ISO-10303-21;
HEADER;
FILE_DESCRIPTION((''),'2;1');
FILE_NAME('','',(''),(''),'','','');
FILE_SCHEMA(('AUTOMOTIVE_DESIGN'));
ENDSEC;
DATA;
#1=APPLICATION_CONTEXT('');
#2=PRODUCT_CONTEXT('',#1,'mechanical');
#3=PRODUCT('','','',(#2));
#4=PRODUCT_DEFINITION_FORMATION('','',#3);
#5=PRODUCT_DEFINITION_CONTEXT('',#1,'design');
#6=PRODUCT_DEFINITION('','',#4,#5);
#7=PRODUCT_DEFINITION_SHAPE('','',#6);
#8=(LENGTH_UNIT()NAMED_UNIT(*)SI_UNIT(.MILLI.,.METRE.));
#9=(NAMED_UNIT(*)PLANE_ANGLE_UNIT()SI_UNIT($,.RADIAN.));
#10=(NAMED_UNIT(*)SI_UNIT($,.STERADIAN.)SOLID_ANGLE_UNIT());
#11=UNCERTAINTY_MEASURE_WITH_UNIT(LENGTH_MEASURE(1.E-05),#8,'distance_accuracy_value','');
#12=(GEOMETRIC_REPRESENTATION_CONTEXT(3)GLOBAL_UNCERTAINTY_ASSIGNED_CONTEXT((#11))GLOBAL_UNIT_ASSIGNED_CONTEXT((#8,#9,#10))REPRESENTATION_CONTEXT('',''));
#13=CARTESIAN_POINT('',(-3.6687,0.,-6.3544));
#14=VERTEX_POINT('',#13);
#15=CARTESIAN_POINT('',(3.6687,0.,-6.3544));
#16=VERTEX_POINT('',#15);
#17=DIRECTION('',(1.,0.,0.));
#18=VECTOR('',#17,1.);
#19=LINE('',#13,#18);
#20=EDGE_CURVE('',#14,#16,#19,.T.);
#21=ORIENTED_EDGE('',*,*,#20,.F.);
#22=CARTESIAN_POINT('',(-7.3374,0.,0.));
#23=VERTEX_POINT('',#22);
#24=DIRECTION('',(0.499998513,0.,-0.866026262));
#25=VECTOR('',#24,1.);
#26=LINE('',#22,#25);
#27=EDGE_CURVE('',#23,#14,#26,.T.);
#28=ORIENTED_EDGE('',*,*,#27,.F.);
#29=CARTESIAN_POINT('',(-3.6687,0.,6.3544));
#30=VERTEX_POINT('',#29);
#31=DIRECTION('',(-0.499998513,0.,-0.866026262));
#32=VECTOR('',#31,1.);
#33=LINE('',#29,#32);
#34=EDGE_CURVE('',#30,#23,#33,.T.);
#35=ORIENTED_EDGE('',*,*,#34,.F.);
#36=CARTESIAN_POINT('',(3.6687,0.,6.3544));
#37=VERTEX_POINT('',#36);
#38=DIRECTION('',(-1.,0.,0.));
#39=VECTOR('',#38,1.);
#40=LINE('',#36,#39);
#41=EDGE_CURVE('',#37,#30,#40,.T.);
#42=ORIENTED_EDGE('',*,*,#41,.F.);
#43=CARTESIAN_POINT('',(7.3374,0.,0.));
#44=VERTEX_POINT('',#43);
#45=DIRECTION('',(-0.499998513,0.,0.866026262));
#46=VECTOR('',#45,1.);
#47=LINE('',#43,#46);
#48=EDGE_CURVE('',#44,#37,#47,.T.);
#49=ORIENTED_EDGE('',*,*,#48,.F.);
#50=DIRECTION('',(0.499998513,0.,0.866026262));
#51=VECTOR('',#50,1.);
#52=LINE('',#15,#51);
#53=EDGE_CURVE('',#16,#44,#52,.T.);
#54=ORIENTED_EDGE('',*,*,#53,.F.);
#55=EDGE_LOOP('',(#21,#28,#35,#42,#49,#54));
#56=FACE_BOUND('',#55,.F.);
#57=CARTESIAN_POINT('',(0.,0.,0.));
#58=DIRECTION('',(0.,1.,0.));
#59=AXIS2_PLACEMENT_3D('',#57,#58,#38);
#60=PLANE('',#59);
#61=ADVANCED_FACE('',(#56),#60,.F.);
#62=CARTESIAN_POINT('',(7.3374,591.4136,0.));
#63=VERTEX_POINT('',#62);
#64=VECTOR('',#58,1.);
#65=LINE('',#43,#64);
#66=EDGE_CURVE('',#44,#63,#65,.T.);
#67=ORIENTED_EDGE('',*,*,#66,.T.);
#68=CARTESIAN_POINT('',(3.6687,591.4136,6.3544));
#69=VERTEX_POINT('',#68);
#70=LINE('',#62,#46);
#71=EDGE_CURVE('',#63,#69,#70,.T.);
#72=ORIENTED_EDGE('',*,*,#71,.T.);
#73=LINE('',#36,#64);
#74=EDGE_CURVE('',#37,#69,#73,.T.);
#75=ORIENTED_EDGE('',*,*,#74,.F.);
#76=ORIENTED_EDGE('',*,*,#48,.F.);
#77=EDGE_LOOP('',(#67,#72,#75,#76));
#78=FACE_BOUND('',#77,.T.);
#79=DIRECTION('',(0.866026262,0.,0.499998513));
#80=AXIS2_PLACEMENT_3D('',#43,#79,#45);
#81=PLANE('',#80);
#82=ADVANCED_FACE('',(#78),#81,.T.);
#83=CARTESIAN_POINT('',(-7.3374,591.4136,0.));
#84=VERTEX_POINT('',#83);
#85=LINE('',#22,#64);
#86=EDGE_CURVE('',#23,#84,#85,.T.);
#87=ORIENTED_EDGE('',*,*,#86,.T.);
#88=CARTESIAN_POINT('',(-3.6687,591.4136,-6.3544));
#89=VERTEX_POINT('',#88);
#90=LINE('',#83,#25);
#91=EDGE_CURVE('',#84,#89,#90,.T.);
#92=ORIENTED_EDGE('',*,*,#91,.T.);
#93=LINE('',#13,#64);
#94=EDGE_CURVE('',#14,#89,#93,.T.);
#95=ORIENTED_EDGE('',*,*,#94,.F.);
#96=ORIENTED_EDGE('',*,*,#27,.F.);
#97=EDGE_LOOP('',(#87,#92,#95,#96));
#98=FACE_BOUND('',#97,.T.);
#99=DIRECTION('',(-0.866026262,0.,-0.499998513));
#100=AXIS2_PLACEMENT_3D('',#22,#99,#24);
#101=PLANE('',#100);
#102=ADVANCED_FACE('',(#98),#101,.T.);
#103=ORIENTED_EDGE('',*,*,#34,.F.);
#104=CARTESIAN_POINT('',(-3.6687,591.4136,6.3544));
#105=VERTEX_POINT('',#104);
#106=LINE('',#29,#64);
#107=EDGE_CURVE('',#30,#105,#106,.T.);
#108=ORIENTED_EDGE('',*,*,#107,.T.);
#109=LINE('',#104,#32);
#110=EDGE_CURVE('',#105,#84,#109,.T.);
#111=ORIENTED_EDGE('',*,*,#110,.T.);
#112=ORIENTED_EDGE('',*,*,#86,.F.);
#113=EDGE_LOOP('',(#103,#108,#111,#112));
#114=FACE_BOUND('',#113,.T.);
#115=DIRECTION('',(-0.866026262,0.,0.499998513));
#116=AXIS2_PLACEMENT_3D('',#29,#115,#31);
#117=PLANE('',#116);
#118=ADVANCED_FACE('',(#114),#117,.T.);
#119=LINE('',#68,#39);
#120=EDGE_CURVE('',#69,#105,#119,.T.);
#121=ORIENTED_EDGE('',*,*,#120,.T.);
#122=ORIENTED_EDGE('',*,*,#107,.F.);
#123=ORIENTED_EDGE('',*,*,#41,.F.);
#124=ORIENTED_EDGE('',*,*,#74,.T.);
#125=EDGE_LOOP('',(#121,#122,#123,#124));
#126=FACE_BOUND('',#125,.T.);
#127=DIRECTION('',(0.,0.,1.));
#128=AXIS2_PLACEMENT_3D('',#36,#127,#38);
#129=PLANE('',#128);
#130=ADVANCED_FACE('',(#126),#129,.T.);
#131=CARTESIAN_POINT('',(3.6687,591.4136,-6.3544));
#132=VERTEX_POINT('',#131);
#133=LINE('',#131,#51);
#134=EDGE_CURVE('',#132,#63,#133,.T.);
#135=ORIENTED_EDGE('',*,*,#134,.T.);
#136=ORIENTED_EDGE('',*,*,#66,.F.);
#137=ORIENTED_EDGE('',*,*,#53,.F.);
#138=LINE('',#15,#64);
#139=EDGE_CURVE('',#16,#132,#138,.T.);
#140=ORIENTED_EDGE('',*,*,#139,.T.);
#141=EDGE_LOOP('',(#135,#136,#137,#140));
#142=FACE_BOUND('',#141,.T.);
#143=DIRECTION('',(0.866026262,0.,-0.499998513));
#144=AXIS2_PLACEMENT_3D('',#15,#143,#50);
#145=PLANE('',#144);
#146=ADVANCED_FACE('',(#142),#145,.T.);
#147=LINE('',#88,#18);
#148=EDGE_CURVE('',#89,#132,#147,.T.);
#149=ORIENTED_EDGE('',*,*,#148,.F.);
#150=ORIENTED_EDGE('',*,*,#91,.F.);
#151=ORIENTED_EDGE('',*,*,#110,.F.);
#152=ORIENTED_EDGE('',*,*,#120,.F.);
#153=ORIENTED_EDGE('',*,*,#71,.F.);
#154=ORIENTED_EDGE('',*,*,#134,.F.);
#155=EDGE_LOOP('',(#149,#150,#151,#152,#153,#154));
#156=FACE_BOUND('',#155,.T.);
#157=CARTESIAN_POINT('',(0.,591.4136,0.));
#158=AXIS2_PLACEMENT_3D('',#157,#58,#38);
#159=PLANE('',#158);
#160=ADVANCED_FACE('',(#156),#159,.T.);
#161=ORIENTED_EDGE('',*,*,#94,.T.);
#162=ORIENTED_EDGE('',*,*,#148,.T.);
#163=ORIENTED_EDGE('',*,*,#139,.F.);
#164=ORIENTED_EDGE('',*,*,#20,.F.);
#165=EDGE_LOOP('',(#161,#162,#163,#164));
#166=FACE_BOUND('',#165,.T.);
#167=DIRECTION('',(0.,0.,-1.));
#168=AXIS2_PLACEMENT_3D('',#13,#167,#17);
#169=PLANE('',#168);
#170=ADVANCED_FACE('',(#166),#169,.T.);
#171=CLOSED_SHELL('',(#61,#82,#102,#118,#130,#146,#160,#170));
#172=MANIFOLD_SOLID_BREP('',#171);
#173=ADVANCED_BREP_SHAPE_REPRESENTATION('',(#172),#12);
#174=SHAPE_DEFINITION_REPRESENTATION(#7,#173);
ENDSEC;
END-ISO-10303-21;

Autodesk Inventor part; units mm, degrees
ref_plane "YZ Plane" through (0, 0, 0) normal (1, 0, 0) x (0, 1, 0)
ref_plane "XZ Plane" through (0, 0, 0) normal (0, 1, 0) x (-1, 0, 0)
ref_plane "XY Plane" through (0, 0, 0) normal (0, 0, 1) x (1, 0, 0)
sketch "Sketch1" plane through (0, 0, 0) normal (0, 1, 0) x (-1, 0, 0)
  line L0 (-3.6687, -6.3544) -> (-7.3374, 0)
  line L1 (-7.3374, 0) -> (-3.6687, 6.3544)
  line L2 (-3.6687, 6.3544) -> (3.6687, 6.3544)
  line L3 (3.6687, 6.3544) -> (7.3374, 0)
  line L4 (7.3374, 0) -> (3.6687, -6.3544)
  line L5 (3.6687, -6.3544) -> (-3.6687, -6.3544)
  point P0 (0, 0)
  point P1 (0, 0)
extrude "Extrusion1" add sketch "Sketch1" along normal blind 591.4136
properties part number "Elevator Drive Shaft"
